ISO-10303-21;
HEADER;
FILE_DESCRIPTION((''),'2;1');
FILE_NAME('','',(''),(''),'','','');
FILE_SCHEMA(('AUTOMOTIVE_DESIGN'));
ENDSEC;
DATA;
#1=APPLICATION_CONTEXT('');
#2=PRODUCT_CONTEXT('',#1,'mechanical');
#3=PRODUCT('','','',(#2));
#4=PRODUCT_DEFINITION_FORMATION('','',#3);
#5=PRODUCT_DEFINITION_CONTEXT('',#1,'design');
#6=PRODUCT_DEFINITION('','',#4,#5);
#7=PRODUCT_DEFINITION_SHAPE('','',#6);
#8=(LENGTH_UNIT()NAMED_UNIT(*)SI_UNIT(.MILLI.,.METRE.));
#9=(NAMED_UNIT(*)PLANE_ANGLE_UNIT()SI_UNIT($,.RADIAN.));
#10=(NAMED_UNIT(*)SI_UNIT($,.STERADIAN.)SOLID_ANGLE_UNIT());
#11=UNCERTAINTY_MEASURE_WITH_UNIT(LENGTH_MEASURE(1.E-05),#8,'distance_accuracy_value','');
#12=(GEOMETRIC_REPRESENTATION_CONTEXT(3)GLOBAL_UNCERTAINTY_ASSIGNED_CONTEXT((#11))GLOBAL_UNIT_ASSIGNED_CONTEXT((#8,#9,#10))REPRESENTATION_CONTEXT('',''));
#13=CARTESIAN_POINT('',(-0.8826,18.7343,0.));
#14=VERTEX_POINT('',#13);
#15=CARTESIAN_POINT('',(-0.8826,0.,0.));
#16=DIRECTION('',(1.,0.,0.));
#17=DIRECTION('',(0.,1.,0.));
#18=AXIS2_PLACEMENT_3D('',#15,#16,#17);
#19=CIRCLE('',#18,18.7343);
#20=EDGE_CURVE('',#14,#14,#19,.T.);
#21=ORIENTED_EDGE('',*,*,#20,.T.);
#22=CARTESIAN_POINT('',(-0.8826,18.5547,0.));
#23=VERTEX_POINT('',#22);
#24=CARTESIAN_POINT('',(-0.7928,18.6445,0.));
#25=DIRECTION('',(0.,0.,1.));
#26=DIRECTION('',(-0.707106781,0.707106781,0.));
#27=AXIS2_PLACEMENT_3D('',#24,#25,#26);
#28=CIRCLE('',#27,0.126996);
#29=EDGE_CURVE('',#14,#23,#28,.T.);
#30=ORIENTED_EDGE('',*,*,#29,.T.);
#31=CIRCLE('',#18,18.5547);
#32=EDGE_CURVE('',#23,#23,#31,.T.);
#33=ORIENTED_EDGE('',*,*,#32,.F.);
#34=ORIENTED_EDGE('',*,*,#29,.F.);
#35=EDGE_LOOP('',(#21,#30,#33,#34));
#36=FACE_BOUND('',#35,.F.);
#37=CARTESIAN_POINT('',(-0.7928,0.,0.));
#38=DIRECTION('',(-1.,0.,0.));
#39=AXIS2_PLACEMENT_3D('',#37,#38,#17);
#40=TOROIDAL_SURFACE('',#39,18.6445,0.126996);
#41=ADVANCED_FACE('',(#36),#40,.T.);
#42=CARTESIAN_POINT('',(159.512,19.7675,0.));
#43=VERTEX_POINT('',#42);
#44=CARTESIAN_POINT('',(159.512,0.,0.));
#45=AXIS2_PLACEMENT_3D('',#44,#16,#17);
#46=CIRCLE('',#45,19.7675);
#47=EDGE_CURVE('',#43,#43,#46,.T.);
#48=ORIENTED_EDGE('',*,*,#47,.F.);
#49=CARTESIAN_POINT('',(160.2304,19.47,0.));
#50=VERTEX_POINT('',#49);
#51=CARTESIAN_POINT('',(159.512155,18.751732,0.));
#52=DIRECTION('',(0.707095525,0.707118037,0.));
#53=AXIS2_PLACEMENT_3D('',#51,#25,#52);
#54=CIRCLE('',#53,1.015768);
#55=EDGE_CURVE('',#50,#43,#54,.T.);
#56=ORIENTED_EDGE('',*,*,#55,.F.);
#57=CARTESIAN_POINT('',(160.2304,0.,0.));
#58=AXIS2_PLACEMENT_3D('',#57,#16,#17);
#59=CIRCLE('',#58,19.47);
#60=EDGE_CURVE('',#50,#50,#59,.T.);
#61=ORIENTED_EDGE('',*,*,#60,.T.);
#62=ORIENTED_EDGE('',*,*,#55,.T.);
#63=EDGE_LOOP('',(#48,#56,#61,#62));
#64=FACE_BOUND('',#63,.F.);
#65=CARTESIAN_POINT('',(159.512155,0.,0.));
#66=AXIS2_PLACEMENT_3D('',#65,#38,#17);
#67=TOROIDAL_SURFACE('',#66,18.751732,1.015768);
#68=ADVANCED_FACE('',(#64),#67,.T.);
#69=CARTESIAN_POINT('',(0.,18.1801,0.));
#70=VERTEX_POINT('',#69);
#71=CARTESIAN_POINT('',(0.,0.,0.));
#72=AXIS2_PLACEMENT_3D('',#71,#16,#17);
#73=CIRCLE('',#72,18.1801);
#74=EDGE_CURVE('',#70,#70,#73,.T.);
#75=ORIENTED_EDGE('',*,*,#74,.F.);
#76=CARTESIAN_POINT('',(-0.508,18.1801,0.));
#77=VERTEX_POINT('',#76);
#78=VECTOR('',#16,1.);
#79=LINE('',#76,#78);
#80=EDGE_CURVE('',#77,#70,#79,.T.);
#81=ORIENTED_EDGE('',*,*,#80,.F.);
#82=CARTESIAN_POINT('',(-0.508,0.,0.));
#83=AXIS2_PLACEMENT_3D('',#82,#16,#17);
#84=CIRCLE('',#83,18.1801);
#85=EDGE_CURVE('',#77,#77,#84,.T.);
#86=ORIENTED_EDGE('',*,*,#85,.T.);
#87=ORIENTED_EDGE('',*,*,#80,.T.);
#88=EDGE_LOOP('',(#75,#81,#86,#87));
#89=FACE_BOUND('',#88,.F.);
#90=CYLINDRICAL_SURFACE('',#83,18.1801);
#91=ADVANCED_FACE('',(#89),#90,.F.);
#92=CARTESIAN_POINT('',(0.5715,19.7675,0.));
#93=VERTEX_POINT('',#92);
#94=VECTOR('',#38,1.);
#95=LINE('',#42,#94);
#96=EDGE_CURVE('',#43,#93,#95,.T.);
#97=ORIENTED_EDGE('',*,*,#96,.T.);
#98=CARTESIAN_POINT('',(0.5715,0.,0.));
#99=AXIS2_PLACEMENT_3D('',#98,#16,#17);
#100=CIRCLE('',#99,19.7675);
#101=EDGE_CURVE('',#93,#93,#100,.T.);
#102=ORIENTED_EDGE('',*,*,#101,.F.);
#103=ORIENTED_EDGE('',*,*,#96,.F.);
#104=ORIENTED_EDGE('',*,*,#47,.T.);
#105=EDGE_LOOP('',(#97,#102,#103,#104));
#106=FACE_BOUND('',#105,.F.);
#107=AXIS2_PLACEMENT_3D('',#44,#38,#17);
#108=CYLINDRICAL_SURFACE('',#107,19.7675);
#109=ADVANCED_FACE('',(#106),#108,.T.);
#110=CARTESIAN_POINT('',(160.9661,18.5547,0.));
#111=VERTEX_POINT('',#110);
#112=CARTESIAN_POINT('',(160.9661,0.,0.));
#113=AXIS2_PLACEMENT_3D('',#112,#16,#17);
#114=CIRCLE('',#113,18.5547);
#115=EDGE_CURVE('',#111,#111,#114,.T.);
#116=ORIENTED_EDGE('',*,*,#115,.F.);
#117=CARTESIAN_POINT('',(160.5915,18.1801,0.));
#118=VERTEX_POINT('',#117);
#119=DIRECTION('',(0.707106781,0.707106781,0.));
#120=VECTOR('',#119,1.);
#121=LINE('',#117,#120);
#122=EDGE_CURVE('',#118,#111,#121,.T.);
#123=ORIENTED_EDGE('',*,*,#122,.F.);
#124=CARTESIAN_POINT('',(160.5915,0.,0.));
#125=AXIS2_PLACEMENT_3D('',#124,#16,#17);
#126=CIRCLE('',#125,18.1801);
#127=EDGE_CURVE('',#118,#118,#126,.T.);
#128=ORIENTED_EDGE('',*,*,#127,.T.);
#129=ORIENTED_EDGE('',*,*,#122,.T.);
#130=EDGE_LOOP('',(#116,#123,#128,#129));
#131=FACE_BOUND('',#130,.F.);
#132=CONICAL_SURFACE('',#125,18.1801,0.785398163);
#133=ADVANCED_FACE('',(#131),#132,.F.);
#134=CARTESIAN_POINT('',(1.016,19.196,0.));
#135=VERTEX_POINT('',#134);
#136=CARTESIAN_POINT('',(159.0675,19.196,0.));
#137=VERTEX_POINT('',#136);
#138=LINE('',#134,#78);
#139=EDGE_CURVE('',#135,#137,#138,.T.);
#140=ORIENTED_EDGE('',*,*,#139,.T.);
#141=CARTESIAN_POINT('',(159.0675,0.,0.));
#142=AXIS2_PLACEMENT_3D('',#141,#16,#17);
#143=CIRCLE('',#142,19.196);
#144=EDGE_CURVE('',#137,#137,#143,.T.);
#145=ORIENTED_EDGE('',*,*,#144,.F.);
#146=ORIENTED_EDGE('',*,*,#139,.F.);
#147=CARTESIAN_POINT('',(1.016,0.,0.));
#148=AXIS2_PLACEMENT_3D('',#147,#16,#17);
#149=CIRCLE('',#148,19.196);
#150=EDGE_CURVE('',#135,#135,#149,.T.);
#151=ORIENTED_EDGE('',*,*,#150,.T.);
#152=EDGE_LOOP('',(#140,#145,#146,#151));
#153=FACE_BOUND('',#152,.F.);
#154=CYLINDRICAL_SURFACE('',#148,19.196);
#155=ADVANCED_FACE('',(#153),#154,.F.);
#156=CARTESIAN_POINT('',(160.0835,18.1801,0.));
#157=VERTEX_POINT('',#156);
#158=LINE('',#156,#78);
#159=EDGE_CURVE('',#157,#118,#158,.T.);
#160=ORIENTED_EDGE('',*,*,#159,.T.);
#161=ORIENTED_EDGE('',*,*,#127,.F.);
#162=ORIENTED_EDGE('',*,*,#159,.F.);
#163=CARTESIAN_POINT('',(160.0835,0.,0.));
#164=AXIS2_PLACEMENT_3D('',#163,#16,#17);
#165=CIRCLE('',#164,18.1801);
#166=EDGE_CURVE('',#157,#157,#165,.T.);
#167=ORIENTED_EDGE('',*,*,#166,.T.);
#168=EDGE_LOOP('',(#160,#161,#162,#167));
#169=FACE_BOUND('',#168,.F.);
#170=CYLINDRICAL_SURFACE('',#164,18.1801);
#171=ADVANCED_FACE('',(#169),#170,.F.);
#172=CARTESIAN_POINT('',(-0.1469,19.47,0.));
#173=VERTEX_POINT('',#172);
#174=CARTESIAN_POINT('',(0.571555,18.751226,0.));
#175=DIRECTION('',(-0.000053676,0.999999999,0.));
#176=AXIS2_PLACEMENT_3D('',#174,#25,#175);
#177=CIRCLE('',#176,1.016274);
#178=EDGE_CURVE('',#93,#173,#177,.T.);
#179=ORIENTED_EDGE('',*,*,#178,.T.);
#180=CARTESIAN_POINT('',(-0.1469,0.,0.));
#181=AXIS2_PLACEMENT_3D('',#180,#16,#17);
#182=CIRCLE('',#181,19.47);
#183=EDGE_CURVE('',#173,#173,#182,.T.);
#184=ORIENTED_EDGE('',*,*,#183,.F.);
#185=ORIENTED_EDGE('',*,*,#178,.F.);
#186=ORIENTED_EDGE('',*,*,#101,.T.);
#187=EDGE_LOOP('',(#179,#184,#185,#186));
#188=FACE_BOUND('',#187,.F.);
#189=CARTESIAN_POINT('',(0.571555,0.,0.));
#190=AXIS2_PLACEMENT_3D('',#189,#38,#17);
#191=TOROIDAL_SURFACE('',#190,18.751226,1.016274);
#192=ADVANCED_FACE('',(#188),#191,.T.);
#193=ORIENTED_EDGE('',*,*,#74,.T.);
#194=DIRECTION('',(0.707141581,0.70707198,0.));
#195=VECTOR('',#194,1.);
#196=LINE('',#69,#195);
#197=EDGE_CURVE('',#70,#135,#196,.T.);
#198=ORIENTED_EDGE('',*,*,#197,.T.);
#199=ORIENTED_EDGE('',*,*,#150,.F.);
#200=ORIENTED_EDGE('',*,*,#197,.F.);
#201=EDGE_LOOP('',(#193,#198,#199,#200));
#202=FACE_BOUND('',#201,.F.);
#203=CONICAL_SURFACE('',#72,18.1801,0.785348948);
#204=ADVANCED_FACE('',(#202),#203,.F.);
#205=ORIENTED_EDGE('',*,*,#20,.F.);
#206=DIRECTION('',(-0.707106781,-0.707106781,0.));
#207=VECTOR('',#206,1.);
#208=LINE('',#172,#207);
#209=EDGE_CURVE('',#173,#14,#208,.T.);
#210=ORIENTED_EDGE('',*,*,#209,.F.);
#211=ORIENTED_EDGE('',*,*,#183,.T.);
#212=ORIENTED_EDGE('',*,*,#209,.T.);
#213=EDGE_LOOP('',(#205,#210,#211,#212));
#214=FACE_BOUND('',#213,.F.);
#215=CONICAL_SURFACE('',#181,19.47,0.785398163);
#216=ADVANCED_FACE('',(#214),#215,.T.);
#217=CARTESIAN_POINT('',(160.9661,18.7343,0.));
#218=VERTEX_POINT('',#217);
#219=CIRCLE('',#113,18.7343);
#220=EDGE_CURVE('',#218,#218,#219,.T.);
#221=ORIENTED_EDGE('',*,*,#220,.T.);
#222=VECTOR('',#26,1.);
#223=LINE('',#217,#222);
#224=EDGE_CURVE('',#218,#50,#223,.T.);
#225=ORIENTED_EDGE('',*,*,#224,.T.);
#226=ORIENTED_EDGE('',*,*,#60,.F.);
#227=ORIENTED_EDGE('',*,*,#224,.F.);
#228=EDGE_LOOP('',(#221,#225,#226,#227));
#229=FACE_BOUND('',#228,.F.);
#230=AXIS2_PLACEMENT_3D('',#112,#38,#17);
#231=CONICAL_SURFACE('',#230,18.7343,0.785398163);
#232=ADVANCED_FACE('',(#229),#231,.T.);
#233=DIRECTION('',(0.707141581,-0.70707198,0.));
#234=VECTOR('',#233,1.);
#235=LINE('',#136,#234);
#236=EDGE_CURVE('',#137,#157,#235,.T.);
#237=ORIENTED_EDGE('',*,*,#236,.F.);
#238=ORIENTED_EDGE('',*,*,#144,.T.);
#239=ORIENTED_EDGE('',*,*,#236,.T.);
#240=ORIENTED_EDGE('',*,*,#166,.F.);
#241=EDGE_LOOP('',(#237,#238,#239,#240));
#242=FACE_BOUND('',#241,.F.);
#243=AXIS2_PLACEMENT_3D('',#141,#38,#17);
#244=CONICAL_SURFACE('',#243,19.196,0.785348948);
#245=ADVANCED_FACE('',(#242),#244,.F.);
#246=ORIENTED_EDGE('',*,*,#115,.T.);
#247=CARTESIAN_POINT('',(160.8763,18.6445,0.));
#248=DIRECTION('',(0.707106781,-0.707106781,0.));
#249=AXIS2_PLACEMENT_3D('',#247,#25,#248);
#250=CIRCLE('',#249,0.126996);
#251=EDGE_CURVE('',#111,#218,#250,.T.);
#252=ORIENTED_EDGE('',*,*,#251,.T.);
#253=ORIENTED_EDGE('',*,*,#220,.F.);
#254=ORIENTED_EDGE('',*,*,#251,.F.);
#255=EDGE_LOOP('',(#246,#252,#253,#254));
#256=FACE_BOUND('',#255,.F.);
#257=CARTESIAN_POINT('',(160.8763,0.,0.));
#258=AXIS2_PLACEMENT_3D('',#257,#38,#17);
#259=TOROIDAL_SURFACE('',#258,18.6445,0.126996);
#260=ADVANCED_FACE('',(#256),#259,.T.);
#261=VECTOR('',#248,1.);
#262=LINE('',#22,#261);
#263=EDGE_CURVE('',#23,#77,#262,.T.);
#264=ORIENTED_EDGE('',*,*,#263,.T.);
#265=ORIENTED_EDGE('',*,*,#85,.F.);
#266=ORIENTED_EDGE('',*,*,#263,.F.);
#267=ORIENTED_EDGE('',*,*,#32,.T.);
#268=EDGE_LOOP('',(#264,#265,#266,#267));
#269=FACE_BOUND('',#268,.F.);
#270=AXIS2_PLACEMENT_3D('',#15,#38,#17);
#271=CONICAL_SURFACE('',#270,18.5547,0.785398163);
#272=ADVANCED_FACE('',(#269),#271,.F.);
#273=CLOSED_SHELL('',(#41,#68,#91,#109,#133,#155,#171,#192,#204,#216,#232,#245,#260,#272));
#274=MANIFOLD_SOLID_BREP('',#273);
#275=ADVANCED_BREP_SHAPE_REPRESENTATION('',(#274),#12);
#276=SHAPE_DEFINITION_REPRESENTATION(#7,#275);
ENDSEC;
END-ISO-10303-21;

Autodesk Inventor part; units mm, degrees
sketch "Sketch_1" plane through (0, 0, 0) normal (0, 0, 1) x (1, 0, 0)
  line L0 (160.0835, 0) -> (0, 0)
  arc A0 (-0.8826, 18.7343) -> (-0.8826, 18.5547) centre (-0.7928, 18.6445) ccw
  line L1 (-0.8826, 18.5547) -> (-0.508, 18.1801)
  line L2 (-0.508, 18.1801) -> (0, 18.1801)
  line L3 (0, 18.1801) -> (1.016, 19.196)
  line L4 (1.016, 19.196) -> (159.0675, 19.196)
  line L5 (159.0675, 19.196) -> (160.0835, 18.1801)
  line L6 (160.0835, 18.1801) -> (160.5915, 18.1801)
  line L7 (160.5915, 18.1801) -> (160.9661, 18.5547)
  arc A1 (160.9661, 18.5547) -> (160.9661, 18.7343) centre (160.8763, 18.6445) ccw
  line L8 (160.9661, 18.7343) -> (160.2304, 19.47)
  arc A2 (160.2304, 19.47) -> (159.512, 19.7675) centre (159.512, 18.7515) ccw
  line L9 (159.512, 19.7675) -> (0.5715, 19.7675)
  arc A3 (0.5715, 19.7675) -> (-0.1469, 19.47) centre (0.5715, 18.7515) ccw
  line L10 (-0.1469, 19.47) -> (-0.8826, 18.7343)
revolve "Revolution1" add sketch "Sketch_1" angle 360 about axis through (160.0835, 0, 0) along (1, 0, 0)
ref_plane "cp1_XY" through (80.0418, 19.7675, 0) normal (1, 0, 0) x (0, 0, -1)
ref_plane "cp1_YZ" through (80.0418, 19.7675, 0) normal (0, 0, -1) x (0, 1, 0)
ref_plane "cp1_ZX" through (80.0418, 19.7675, 0) normal (0, 1, 0) x (1, 0, 0)
ref_plane "cp2_XY" through (80.0418, 0, -19.7675) normal (1, 0, 0) x (0, 0, -1)
ref_plane "cp2_YZ" through (80.0418, 0, -19.7675) normal (0, 0, -1) x (0, 1, 0)
ref_plane "cp2_ZX" through (80.0418, 0, -19.7675) normal (0, 1, 0) x (1, 0, 0)
ref_plane "cp3_XY" through (80.0418, -19.7675, 0) normal (1, 0, 0) x (0, 0, -1)
ref_plane "cp3_YZ" through (80.0418, -19.7675, 0) normal (0, 0, -1) x (0, 1, 0)
ref_plane "cp3_ZX" through (80.0418, -19.7675, 0) normal (0, 1, 0) x (1, 0, 0)
ref_plane "cp4_XY" through (80.0418, 0, 19.7675) normal (1, 0, 0) x (0, 0, -1)
ref_plane "cp4_YZ" through (80.0418, 0, 19.7675) normal (0, 0, -1) x (0, 1, 0)
ref_plane "cp4_ZX" through (80.0418, 0, 19.7675) normal (0, 1, 0) x (1, 0, 0)
ref_plane "tube_front_XY" through (0, 0, 0) normal (1, 0, 0) x (0, 0, -1)
ref_plane "tube_front_YZ" through (0, 0, 0) normal (0, 0, -1) x (0, 1, 0)
ref_plane "tube_front_ZX" through (0, 0, 0) normal (0, 1, 0) x (1, 0, 0)
ref_plane "tube_rear_XY" through (160.0835, 0, 0) normal (1, 0, 0) x (0, 0, -1)
ref_plane "tube_rear_YZ" through (160.0835, 0, 0) normal (0, 0, -1) x (0, 1, 0)
ref_plane "tube_rear_ZX" through (160.0835, 0, 0) normal (0, 1, 0) x (1, 0, 0)
properties part number "17R-6.30250C" material "Aluminum 6061"
